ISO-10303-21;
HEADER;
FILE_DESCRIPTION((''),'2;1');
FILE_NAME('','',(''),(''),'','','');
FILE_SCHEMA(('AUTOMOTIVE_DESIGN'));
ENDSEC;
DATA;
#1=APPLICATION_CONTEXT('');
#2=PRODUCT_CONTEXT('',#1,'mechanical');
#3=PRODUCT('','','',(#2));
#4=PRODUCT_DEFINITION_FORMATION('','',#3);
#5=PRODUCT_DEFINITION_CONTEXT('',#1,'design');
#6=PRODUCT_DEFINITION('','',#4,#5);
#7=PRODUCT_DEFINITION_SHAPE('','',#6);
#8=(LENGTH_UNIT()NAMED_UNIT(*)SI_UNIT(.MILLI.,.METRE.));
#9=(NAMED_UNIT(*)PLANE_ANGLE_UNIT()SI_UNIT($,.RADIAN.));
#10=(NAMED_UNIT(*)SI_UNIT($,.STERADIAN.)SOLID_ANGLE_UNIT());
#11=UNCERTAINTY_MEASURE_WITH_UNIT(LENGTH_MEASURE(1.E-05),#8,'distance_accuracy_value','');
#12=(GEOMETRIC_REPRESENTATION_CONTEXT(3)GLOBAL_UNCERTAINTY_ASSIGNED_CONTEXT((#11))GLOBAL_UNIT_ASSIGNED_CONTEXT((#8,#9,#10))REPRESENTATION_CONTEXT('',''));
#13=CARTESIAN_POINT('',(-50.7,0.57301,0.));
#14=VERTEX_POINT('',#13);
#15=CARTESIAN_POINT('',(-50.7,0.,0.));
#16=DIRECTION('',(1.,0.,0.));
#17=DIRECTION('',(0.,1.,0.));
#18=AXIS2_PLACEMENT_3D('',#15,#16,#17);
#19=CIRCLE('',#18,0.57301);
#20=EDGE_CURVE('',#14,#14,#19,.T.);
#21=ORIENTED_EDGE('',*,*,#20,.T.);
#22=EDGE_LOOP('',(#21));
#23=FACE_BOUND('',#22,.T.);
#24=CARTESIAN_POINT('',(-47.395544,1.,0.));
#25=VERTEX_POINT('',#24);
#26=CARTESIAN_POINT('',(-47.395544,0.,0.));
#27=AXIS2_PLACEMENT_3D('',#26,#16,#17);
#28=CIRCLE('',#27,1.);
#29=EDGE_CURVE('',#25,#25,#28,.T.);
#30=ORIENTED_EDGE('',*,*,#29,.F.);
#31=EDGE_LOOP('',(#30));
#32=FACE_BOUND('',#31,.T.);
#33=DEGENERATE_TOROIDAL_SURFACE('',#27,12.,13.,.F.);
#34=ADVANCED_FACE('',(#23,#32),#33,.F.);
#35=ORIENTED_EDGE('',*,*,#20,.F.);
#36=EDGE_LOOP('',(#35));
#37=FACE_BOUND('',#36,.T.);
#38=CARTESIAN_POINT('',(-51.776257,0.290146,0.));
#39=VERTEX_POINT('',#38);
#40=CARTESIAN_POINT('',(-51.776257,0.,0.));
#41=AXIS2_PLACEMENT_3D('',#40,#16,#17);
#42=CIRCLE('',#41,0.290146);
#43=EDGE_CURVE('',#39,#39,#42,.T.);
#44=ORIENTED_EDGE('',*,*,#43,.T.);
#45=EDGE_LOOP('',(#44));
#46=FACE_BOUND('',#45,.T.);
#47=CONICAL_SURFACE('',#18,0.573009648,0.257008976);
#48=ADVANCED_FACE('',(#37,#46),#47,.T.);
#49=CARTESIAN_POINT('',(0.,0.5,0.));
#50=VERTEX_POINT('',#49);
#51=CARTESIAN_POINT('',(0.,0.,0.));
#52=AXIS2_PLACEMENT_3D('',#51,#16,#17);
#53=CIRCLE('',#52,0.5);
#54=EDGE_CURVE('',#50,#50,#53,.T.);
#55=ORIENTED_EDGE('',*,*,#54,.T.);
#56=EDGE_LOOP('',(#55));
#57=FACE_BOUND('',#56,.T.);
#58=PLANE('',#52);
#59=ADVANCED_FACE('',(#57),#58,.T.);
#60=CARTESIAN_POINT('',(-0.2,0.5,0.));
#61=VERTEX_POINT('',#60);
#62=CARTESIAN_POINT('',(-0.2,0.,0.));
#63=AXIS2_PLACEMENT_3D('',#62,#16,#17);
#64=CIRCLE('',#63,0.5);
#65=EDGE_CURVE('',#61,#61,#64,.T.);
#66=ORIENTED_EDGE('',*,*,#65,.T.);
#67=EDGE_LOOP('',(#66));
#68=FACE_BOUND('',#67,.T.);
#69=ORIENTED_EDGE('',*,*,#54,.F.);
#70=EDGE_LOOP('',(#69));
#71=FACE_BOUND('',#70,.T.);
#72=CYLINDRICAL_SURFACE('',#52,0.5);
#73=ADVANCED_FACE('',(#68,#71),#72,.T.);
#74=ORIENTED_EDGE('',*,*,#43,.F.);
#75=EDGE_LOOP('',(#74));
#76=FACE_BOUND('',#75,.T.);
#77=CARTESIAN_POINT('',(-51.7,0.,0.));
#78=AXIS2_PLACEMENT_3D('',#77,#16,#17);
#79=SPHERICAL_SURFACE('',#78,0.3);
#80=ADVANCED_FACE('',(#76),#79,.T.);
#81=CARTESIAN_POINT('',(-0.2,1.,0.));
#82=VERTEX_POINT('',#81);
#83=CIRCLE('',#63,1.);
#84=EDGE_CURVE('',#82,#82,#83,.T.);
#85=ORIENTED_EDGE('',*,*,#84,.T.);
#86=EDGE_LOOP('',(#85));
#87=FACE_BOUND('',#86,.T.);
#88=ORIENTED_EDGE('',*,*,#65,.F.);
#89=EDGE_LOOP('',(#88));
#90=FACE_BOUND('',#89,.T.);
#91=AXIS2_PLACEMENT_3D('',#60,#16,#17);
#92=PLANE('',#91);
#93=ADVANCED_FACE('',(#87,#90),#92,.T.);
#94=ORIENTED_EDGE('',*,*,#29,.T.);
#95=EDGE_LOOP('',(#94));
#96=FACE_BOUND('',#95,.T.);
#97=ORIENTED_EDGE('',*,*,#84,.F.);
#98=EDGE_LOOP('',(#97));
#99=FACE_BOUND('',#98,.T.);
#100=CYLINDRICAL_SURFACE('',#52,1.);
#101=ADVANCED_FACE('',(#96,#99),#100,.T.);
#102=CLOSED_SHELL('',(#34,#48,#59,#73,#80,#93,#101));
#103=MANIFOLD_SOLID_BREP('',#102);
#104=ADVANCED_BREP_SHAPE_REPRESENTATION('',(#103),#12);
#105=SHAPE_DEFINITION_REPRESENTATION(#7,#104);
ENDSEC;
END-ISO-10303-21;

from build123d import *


with BuildPart() as part:
    # 草图1 → 旋转1 (revolve)
    with BuildSketch(Plane.XY):
        with BuildLine():
            Line((0, 0), (0, 0.5))
            Line((0, 0.5), (-0.2, 0.5))
            Line((-0.2, 0.5), (-0.2, 1))
            Line((-0.2, 1), (-47.395544162, 1))
            ThreePointArc((-47.395544162, 1), (-49.061508534, 0.892810505), (-50.7, 0.573009648))
            Line((-50.7, 0.573009648), (-51.776256673, 0.290146377))
            ThreePointArc((-51.776256673, 0.290146377), (-51.937567887, 0.183197978), (-52, 0))
            Line((-52, 0), (0, 0))
        make_face()
    revolve(axis=Axis((0, 0, 0), (-1, 0, 0)))


solid = part.part
